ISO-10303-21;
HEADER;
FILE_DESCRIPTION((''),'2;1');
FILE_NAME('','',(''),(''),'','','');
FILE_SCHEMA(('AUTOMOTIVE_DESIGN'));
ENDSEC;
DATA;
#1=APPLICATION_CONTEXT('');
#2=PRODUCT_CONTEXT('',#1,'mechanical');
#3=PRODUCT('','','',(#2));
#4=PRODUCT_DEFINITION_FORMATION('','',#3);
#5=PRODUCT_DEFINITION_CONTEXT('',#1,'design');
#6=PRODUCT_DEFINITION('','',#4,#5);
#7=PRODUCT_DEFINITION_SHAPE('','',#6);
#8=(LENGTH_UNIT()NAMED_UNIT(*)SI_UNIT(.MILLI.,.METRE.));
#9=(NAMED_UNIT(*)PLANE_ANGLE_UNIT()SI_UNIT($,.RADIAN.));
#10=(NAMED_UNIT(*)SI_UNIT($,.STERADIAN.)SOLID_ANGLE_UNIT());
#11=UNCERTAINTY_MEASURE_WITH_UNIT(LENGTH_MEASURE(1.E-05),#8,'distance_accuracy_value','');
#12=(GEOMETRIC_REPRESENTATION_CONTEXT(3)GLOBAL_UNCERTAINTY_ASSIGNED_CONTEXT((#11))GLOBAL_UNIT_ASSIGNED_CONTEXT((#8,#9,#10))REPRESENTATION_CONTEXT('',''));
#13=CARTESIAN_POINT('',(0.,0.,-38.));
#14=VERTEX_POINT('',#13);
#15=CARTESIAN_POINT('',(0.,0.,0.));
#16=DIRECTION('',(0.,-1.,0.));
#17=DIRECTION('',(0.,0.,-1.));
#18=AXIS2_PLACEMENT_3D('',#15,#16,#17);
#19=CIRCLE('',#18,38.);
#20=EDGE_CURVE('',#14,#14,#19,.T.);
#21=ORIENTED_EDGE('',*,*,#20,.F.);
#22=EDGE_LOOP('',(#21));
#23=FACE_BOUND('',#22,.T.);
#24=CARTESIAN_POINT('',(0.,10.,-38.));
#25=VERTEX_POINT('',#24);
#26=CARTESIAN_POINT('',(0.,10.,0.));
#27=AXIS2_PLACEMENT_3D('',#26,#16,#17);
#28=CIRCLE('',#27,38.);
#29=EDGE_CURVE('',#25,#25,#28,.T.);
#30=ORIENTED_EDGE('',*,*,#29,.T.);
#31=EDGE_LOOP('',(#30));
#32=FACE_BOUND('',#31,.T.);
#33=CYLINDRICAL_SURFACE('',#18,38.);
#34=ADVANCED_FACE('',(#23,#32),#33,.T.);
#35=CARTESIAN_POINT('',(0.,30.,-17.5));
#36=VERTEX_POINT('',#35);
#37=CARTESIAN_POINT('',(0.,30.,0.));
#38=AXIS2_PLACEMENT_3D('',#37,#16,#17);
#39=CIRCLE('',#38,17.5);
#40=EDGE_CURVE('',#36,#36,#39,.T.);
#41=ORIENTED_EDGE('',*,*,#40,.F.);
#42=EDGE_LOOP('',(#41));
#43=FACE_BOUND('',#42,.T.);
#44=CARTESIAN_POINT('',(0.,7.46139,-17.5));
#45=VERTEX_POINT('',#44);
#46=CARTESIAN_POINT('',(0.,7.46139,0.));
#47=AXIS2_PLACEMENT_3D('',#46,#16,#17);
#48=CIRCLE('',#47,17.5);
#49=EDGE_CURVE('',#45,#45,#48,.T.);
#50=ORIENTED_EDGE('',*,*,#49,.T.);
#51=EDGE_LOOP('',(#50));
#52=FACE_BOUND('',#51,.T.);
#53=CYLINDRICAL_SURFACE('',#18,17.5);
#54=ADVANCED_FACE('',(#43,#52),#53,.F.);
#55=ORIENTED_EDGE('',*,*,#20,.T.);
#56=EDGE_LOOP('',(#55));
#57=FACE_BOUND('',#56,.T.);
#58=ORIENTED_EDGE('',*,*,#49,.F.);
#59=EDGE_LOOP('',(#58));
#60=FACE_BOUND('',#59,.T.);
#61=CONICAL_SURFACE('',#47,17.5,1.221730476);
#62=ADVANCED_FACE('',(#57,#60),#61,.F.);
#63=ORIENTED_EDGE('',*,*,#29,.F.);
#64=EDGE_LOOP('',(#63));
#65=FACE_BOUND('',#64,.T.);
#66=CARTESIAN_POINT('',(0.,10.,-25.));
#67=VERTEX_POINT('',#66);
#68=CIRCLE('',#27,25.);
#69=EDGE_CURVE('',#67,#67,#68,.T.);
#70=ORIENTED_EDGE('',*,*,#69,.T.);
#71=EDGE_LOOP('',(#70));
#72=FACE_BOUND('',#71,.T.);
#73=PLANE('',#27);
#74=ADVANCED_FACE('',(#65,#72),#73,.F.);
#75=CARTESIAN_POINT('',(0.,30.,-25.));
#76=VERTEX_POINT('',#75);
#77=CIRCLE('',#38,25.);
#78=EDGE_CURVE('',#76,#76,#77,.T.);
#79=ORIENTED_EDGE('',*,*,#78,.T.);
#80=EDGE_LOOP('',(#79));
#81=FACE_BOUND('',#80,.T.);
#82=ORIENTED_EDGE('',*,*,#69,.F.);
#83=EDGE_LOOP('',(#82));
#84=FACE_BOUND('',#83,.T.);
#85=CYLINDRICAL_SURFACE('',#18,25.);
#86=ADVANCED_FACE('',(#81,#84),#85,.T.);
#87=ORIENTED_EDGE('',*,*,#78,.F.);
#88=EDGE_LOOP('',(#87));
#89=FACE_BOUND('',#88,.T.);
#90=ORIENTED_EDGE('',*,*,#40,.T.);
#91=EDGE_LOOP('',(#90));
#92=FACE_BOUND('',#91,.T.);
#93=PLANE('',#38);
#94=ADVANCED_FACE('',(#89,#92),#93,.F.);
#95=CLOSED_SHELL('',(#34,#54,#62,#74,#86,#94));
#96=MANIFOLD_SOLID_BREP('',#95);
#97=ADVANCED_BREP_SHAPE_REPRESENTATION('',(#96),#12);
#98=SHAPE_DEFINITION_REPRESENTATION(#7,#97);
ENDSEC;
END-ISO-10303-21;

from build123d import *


with BuildPart() as part:
    # Sketch1 → Revolve1 (revolve)
    with BuildSketch(Plane.XY, mode=Mode.PRIVATE) as revolve1_sk:
        Polygon((17.5, 30), (17.5, 7.461389802), (38, 0), (38, 10), (25, 10), (25, 30), align=None)
    revolve(revolve1_sk.sketch.rotate(Axis((0, 0, 0), (0, 1, 0)), 90), axis=Axis((0, 0, 0), (0, 1, 0)))


solid = part.part
